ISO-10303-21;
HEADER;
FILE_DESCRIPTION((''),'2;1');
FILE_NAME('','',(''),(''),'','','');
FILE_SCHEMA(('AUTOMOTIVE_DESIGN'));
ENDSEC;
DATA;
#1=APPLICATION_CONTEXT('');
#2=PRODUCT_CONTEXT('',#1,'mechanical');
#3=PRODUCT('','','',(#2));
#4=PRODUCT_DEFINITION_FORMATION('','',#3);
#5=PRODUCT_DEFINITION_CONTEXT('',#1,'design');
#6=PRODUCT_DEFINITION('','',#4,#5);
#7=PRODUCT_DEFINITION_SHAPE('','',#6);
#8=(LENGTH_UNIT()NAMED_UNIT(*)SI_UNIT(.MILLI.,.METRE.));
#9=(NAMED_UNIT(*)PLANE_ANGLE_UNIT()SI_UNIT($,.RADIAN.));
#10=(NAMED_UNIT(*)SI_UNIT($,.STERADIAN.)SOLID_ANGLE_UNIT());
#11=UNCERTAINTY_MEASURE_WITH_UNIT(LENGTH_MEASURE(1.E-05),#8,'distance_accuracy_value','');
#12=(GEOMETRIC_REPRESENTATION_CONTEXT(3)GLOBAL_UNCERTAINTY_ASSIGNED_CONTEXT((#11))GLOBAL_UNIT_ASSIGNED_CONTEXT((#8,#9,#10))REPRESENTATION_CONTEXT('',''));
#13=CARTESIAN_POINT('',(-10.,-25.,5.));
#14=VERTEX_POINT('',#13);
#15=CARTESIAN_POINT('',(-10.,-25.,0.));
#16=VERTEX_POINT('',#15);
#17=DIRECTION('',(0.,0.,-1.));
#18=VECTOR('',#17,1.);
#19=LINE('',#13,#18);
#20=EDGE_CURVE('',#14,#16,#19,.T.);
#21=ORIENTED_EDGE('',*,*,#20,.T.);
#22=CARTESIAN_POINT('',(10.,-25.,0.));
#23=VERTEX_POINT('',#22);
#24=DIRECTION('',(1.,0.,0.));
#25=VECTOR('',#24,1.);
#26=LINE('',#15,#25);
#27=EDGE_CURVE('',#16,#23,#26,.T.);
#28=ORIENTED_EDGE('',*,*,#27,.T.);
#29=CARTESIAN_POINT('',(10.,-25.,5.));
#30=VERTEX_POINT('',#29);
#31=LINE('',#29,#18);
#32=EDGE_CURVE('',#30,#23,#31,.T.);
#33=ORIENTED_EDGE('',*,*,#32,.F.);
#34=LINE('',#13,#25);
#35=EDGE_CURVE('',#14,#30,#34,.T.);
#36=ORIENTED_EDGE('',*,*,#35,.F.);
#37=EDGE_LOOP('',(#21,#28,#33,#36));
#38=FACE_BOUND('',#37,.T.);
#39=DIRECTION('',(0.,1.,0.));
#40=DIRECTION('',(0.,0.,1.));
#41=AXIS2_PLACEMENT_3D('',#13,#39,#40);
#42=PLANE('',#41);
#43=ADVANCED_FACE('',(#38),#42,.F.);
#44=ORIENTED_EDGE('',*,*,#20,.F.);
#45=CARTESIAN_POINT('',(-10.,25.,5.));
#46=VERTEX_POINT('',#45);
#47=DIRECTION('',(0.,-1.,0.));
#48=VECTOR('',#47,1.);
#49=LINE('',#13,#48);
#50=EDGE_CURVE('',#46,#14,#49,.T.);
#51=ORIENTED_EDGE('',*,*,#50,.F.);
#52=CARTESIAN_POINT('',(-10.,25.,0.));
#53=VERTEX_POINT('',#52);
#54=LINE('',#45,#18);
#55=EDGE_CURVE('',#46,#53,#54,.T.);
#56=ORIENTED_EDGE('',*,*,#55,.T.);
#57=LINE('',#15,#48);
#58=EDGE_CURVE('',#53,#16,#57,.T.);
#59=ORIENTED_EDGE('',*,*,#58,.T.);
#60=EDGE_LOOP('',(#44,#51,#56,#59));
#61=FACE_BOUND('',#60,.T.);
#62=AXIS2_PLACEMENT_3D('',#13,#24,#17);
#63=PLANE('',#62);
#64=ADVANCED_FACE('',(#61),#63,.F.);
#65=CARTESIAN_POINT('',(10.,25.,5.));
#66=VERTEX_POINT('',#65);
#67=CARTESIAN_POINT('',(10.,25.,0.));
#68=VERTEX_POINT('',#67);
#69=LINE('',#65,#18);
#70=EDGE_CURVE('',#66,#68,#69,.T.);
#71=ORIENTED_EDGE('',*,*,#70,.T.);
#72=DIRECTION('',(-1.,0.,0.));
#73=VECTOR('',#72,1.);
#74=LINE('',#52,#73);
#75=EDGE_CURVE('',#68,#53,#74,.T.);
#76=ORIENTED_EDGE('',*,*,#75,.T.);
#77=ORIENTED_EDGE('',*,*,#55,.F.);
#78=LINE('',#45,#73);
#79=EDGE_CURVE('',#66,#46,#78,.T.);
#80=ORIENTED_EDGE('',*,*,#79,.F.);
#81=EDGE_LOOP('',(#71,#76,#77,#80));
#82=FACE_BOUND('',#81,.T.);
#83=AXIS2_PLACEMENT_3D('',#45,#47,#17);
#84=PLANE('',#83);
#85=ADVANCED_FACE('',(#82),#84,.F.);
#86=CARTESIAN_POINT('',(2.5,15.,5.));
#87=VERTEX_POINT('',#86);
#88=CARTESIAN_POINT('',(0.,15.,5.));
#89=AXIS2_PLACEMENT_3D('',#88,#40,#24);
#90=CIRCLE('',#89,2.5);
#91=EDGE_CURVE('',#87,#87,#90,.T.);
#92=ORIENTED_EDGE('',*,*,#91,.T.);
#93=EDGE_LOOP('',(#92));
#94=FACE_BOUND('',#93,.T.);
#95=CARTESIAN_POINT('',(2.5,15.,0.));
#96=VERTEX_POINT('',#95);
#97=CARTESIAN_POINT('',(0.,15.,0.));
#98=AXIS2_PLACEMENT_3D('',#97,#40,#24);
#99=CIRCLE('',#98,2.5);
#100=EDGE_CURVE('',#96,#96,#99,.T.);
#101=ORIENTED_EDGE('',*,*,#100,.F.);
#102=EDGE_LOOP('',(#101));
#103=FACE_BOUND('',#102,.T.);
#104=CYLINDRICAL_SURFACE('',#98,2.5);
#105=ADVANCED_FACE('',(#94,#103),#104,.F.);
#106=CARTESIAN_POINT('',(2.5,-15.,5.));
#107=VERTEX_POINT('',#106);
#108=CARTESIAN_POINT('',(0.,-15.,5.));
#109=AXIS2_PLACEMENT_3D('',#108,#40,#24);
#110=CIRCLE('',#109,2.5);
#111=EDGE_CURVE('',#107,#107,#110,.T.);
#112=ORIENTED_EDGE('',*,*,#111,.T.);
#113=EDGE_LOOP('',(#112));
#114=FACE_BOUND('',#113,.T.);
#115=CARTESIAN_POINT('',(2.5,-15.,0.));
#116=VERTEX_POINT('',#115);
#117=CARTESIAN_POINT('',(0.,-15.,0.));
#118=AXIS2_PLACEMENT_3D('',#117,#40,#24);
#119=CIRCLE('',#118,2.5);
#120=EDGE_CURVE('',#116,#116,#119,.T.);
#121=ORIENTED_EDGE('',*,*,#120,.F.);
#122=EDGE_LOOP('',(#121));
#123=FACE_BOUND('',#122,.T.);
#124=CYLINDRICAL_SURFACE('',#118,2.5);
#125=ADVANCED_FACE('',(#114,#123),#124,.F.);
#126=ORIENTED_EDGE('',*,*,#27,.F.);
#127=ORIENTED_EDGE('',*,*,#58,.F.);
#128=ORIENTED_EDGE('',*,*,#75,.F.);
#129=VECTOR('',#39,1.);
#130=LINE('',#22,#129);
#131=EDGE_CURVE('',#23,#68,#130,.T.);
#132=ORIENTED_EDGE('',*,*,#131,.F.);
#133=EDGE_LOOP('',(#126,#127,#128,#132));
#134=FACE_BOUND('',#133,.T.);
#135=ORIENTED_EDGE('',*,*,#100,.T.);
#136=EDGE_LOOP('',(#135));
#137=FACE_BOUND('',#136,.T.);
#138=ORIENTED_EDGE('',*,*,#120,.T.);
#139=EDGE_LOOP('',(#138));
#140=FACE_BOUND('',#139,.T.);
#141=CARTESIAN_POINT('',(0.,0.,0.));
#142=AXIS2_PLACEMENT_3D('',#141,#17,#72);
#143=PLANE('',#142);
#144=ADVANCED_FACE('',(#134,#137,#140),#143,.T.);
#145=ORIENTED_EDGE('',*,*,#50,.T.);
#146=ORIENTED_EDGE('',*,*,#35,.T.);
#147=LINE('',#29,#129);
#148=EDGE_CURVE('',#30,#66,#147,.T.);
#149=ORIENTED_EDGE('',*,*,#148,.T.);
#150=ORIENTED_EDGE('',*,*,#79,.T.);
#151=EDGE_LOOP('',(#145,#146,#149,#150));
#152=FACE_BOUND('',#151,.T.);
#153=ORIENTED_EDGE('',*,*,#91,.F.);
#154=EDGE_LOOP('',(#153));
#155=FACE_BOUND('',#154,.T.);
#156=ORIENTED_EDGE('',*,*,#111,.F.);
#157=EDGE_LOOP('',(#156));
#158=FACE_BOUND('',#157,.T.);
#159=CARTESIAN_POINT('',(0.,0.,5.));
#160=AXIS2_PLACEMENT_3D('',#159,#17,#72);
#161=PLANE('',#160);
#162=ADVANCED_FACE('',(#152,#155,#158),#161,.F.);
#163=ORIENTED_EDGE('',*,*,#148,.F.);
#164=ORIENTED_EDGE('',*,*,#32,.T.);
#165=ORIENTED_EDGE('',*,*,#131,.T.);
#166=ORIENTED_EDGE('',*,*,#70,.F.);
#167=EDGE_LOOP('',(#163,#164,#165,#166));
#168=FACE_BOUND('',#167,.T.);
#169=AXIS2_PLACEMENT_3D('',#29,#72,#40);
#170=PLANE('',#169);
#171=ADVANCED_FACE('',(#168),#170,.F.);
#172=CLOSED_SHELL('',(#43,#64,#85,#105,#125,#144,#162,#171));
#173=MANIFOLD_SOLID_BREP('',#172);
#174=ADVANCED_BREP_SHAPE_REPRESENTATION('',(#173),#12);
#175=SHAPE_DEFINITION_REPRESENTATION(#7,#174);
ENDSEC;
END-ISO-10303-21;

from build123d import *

# Parameters (mm, degrees)
SKETCH_1_W          = 20
SKETCH_1_H          = 50
EXTRUDE_1_DEPTH     = 5
SKETCH_2_R          = 2.5
CUT_EXTRUDE_1_DEPTH = 28.386127875


with BuildPart() as part:
    # 草图1 → 凸台-拉伸1 (new body)
    with BuildSketch(Plane.XY):
        Rectangle(SKETCH_1_W, SKETCH_1_H)
    extrude(amount=EXTRUDE_1_DEPTH)

    # 草图2 → 切除-拉伸1 (cut, through all)
    with BuildSketch(Plane.XY.offset(5)):
        with Locations((0, 15)):
            Circle(SKETCH_2_R)
        with Locations((0, -15)):
            Circle(SKETCH_2_R)
    extrude(amount=-CUT_EXTRUDE_1_DEPTH, mode=Mode.SUBTRACT)


solid = part.part
